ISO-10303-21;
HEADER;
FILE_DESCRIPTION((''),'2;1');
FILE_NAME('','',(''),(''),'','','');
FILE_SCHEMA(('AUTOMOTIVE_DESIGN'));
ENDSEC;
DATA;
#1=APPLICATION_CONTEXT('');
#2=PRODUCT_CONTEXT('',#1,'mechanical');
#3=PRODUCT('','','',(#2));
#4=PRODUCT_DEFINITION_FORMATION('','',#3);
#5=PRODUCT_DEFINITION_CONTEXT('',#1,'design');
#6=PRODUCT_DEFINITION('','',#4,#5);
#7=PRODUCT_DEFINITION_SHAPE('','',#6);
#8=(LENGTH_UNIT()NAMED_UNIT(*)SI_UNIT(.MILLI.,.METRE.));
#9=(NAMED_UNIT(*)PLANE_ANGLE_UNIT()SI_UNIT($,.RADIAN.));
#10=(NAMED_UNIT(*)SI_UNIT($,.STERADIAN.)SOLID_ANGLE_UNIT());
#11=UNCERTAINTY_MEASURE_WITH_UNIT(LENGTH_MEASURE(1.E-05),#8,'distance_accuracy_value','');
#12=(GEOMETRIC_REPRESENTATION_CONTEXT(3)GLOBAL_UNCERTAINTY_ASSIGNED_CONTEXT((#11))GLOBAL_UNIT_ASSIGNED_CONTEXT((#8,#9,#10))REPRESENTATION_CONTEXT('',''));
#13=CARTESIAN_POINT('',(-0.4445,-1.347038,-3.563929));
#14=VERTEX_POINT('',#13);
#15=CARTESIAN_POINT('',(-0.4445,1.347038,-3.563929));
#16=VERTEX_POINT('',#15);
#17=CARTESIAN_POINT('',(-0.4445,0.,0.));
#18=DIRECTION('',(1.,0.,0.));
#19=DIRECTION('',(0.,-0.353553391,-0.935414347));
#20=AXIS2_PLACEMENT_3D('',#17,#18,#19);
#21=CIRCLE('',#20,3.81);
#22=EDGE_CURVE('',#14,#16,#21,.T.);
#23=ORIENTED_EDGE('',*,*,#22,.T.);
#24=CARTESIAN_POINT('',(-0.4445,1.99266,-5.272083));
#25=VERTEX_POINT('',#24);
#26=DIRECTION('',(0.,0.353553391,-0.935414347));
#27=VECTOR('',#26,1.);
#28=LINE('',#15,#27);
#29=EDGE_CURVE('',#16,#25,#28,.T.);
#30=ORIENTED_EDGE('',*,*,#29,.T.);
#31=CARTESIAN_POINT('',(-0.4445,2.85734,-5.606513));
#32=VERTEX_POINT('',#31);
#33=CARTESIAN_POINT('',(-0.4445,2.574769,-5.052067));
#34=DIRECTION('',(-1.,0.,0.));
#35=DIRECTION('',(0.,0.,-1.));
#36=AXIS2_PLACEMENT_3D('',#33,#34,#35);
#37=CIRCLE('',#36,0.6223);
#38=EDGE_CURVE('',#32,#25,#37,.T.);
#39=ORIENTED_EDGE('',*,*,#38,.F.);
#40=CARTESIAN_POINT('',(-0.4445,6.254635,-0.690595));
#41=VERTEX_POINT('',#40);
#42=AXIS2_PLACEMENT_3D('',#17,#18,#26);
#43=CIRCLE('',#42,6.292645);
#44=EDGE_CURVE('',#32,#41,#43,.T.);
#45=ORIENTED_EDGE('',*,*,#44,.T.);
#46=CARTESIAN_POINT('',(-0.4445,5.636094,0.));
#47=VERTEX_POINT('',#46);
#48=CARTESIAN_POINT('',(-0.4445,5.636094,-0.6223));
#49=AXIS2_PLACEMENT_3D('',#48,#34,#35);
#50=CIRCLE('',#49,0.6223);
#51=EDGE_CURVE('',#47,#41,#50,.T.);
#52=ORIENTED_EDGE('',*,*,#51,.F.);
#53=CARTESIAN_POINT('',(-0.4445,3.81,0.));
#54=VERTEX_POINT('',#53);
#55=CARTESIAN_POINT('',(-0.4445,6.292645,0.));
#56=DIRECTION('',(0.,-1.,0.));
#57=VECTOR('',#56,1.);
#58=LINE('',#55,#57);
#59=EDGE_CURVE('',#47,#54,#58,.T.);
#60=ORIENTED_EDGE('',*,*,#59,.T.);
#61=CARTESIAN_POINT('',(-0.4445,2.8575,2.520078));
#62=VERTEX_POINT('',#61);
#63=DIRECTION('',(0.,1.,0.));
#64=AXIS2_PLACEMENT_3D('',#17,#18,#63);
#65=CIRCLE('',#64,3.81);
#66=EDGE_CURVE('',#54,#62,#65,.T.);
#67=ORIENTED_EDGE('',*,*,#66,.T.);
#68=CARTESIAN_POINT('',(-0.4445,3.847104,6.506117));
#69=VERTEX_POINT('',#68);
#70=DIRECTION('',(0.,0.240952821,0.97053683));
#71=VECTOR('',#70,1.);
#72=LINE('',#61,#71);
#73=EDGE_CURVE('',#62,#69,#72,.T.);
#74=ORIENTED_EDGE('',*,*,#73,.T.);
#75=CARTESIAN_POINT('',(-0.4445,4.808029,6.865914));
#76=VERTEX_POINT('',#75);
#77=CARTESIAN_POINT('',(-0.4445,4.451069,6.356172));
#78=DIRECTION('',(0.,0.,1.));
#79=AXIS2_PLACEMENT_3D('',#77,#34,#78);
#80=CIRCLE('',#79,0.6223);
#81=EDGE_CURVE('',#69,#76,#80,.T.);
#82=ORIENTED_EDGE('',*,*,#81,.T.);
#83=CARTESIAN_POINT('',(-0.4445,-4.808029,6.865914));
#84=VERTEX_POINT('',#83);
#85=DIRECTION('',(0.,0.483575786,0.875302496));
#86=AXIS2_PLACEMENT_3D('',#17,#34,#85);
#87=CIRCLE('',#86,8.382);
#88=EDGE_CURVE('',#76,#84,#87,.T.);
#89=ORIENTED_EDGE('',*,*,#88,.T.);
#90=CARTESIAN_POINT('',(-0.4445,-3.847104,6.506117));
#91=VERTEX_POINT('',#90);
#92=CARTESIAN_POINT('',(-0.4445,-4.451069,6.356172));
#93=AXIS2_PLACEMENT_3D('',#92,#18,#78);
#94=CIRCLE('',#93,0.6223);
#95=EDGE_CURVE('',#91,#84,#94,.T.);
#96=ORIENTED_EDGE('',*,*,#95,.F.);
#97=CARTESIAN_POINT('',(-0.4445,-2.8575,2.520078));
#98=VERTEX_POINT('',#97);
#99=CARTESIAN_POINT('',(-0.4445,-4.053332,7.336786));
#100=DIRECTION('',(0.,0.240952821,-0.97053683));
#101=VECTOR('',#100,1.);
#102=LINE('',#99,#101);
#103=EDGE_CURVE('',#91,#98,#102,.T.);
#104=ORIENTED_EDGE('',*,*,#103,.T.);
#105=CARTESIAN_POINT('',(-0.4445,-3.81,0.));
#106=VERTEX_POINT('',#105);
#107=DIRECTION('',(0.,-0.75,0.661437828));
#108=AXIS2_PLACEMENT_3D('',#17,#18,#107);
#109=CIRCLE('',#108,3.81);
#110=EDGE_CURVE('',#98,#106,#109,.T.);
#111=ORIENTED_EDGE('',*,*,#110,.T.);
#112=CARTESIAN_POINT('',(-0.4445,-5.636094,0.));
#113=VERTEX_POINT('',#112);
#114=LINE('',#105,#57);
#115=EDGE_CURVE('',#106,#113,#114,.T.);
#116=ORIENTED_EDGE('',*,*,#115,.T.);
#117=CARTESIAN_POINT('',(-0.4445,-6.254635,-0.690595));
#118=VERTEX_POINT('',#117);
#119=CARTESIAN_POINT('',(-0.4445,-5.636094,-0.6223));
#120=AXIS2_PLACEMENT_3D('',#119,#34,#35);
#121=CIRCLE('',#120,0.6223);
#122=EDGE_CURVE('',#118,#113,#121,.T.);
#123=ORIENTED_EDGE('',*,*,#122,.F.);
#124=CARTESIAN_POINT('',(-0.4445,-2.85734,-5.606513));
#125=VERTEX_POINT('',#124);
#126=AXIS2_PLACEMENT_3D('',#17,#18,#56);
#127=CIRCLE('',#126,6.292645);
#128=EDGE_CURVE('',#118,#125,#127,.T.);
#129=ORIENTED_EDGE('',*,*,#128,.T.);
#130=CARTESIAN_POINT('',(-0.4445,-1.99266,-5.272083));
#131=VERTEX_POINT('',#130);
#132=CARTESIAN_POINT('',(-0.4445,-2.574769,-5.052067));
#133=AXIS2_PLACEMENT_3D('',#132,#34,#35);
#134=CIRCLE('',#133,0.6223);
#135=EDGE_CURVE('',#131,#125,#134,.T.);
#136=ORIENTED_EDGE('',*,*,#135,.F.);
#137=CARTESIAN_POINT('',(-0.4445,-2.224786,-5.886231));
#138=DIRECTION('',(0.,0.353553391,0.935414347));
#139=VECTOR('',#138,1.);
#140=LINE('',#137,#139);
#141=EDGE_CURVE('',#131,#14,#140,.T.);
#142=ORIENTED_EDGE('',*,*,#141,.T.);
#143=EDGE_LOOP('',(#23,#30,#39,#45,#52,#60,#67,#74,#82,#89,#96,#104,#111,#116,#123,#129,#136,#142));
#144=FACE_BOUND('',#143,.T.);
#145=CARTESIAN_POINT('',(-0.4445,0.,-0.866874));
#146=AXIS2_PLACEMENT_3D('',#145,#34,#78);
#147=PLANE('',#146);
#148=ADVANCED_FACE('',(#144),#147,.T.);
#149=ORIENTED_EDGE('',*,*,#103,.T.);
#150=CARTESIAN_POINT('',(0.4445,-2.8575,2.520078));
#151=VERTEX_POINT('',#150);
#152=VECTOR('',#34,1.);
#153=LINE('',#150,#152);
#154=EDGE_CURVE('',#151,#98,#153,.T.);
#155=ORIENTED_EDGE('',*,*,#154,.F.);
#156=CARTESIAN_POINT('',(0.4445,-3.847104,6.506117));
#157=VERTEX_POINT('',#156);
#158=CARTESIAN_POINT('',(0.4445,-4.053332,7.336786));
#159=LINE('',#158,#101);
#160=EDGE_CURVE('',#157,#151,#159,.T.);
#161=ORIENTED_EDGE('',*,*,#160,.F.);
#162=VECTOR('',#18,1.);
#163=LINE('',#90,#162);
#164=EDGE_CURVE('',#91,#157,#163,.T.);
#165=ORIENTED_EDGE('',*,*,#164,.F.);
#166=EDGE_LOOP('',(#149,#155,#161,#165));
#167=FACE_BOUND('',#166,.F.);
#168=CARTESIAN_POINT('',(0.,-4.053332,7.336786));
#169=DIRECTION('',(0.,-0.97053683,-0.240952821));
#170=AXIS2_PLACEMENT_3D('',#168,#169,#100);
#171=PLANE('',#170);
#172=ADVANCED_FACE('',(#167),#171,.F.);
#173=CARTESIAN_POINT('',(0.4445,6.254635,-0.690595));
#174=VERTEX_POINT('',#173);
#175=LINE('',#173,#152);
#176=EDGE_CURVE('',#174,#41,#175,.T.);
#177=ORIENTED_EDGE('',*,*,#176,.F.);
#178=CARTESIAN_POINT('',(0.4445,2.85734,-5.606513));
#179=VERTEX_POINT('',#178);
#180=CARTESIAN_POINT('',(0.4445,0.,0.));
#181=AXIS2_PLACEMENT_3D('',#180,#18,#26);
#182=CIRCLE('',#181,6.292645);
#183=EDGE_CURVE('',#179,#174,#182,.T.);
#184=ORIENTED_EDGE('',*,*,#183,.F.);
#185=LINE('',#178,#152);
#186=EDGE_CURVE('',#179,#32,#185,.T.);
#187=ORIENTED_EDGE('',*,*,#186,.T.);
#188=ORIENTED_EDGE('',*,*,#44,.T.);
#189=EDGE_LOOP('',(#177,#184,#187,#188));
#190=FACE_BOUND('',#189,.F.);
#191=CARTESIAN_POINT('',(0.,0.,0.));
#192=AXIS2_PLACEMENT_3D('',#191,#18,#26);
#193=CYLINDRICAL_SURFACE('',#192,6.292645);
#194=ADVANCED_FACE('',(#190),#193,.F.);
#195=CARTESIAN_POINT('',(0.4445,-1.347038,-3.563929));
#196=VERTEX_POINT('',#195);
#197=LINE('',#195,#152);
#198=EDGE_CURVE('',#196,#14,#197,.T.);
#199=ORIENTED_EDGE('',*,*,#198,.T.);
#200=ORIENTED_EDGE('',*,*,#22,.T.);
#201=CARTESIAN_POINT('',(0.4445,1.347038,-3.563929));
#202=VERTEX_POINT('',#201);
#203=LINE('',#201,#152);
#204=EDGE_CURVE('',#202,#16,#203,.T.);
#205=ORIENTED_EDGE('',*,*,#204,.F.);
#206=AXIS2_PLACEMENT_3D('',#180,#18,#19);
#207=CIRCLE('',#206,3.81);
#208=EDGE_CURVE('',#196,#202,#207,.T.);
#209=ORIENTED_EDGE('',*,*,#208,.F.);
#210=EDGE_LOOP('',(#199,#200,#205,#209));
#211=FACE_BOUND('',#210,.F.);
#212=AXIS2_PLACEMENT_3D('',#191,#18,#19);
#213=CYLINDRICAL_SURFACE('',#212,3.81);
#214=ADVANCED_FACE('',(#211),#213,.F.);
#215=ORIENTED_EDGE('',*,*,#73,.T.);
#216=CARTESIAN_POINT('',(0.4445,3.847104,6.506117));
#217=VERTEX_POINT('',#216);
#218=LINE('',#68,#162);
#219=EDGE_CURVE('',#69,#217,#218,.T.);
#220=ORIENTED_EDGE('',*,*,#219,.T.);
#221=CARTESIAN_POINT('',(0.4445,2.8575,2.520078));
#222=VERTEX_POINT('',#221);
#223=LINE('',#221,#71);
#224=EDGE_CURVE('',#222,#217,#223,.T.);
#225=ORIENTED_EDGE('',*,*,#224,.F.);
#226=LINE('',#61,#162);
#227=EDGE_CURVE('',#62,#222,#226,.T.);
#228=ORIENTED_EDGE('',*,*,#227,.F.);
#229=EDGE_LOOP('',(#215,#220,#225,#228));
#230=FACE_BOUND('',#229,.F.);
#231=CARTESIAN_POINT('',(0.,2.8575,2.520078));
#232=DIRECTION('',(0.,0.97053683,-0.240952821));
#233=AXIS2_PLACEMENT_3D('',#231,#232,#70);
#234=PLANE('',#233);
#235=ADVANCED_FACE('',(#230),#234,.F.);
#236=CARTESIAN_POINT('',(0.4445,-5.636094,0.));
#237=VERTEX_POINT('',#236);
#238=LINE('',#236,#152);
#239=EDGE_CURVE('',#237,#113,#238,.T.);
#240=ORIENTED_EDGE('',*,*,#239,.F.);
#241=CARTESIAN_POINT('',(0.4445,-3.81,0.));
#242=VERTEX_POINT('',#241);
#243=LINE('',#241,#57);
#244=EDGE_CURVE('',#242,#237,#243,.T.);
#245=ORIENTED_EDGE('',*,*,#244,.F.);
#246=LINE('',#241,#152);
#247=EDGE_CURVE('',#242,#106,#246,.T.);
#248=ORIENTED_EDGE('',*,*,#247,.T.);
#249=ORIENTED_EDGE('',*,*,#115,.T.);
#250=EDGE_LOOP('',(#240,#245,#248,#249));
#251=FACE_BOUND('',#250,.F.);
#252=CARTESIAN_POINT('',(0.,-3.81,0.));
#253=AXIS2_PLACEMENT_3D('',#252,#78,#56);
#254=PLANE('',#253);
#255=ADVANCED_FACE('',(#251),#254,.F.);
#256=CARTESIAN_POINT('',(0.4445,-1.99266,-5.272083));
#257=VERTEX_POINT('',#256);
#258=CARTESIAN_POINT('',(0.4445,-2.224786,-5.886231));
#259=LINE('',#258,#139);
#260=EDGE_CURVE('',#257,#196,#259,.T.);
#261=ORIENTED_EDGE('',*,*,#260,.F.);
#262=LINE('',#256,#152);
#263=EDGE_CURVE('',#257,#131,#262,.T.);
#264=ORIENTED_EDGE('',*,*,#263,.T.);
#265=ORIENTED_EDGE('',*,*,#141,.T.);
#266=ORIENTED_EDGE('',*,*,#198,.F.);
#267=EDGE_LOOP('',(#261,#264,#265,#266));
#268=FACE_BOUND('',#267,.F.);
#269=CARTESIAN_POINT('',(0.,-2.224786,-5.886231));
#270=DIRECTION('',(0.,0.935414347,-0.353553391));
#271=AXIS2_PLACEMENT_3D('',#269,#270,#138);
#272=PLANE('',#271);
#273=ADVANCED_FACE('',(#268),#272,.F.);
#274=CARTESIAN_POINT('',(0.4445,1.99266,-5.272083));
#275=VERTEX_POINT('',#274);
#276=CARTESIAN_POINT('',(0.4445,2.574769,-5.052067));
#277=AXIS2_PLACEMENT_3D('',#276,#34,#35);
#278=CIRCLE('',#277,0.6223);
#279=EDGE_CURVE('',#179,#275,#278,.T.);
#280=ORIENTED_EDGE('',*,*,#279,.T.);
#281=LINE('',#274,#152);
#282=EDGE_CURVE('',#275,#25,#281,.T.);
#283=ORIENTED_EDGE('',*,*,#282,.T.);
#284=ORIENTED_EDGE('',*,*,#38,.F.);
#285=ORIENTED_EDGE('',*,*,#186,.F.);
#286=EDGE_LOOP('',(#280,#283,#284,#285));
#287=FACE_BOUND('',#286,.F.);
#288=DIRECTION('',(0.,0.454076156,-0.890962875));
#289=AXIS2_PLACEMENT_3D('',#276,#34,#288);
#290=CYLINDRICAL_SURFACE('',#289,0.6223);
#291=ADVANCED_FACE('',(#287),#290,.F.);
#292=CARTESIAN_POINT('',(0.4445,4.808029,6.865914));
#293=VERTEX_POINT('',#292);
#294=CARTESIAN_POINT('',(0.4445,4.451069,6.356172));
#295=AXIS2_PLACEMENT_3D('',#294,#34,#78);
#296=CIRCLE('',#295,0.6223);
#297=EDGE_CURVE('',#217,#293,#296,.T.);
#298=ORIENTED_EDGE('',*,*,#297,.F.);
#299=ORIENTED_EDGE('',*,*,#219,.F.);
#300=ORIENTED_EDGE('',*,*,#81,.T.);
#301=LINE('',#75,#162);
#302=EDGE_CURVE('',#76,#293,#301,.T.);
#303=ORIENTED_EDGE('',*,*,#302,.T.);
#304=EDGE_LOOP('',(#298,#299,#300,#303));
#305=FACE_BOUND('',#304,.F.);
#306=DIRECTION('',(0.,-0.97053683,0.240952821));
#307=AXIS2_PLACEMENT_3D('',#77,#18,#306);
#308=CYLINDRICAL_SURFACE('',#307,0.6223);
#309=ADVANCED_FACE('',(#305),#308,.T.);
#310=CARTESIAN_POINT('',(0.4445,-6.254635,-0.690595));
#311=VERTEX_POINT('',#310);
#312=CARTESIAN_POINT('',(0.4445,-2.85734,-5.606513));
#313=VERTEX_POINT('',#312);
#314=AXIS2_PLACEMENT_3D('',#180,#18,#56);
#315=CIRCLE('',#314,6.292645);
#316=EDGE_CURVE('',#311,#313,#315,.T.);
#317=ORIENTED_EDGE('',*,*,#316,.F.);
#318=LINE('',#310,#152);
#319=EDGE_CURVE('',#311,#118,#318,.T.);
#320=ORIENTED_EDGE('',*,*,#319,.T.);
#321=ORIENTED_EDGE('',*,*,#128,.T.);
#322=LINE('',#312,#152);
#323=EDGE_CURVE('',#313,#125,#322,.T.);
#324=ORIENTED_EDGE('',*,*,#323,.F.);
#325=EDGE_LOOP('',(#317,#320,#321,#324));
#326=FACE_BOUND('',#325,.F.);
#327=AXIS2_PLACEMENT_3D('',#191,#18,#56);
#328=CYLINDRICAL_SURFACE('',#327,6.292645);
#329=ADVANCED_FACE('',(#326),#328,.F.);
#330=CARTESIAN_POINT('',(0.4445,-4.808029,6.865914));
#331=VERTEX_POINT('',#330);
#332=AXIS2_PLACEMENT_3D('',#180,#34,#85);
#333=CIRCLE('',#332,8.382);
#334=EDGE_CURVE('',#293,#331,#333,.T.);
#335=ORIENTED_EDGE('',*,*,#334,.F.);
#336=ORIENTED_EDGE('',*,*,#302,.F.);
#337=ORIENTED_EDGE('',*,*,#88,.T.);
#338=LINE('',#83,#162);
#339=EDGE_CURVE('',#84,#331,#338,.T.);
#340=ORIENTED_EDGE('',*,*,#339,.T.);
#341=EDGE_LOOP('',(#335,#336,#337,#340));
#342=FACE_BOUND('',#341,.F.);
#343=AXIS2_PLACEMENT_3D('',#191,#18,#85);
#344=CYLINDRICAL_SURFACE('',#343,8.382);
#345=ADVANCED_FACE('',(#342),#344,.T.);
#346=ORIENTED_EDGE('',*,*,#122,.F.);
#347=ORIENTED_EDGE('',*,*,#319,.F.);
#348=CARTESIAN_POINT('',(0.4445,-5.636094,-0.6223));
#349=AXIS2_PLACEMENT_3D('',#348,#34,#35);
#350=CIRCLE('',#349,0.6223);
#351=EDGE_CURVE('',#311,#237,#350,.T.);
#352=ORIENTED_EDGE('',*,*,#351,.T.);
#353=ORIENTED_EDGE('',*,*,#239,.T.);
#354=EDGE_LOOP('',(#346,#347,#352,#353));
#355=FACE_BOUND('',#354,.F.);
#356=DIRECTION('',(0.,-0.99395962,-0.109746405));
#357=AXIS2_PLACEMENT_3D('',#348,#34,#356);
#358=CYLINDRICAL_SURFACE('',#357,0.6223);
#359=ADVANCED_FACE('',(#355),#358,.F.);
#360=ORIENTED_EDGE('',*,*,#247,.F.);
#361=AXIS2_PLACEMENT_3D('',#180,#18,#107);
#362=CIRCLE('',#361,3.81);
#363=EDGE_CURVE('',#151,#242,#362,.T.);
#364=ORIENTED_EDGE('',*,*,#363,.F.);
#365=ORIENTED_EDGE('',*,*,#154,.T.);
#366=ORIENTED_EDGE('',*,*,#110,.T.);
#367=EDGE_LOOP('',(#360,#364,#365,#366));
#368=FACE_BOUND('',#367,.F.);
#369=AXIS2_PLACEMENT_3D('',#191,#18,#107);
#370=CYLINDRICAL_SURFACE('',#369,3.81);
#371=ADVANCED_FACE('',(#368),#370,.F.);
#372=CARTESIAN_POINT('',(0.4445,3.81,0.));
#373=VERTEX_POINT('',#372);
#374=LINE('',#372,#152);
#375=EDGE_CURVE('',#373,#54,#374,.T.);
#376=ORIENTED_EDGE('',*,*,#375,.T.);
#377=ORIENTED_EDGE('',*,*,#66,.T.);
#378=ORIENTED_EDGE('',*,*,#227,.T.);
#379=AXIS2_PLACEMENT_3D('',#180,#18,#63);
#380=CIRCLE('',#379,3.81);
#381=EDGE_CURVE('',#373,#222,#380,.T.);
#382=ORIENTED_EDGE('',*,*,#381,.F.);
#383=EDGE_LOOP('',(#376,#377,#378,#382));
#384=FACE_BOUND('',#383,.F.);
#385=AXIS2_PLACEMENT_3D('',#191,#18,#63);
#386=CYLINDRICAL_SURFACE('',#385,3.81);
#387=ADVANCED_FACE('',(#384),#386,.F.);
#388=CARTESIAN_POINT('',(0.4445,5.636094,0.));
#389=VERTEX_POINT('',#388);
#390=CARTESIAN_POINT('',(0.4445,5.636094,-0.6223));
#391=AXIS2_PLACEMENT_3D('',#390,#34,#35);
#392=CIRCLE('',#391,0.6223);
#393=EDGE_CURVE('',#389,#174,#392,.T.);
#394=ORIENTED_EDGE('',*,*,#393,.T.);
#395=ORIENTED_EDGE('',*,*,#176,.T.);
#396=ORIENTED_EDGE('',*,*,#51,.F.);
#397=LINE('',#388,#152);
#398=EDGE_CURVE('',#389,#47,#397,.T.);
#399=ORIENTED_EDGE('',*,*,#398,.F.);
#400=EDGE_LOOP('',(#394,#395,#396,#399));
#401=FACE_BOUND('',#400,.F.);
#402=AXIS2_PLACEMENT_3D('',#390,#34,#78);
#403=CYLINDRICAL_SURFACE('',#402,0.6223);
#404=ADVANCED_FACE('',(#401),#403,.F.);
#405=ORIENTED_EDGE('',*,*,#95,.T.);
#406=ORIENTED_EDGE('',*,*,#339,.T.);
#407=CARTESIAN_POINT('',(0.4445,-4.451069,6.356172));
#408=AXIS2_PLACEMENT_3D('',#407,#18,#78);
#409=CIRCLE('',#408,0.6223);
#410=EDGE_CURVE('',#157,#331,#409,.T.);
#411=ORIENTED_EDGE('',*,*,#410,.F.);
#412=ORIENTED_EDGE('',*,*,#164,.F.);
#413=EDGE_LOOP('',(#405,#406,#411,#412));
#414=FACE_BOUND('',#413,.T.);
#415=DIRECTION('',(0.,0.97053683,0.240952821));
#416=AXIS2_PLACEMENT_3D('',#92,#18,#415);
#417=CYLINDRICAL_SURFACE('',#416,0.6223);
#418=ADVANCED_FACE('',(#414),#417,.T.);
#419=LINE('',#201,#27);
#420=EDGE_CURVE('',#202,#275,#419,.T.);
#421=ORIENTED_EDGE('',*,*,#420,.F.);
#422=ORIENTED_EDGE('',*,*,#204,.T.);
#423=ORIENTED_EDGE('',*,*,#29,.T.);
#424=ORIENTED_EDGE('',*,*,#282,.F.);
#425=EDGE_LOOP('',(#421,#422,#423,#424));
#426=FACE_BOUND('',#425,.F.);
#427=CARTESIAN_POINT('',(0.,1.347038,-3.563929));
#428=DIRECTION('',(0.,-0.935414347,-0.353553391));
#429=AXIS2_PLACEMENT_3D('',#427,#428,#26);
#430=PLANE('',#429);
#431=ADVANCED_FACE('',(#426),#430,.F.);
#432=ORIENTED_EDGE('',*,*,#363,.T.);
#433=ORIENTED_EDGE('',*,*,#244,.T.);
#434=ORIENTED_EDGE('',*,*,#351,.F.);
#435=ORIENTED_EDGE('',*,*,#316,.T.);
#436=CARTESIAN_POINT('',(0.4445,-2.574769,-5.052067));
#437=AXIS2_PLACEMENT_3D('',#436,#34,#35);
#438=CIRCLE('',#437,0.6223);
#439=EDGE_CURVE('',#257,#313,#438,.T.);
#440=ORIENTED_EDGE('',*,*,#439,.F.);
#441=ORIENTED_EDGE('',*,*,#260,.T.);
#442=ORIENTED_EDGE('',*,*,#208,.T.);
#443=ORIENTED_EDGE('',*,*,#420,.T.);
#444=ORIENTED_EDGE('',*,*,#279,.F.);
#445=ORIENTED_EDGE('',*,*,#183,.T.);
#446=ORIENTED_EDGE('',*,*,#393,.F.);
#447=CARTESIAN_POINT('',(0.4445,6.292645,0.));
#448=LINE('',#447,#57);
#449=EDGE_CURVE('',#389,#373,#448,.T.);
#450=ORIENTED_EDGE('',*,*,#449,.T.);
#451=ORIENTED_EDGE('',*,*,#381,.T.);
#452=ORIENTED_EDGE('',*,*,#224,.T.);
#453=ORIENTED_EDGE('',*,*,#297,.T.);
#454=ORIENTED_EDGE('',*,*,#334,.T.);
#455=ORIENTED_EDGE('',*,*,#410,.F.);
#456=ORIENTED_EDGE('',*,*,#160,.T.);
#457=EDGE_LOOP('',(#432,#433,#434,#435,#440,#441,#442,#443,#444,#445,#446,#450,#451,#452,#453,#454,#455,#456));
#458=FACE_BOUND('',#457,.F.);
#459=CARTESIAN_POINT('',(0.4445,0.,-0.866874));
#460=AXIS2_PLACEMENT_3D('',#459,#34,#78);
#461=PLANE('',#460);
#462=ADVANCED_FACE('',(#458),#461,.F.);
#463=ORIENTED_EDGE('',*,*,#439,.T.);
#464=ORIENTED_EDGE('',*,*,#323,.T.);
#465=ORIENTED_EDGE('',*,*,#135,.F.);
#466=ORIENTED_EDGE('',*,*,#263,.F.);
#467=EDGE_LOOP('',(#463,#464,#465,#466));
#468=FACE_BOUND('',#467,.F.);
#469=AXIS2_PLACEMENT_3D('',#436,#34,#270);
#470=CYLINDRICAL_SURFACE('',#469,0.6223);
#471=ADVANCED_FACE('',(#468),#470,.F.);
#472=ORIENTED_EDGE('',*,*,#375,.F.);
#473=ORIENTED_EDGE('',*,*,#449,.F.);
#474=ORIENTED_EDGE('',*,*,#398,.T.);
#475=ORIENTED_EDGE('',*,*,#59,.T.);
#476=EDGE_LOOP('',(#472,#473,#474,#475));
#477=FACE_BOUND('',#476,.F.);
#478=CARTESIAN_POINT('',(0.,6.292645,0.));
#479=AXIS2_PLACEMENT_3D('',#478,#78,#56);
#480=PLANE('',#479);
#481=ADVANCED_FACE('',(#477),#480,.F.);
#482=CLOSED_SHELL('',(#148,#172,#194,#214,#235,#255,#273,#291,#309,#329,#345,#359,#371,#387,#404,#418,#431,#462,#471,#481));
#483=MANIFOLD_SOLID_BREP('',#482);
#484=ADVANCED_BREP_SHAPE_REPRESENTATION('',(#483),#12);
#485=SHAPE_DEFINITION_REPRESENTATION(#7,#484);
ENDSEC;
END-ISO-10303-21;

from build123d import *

# Parameters (mm, degrees)
EXTRUDE1_DEPTH = 0.4445
FILLET1_R      = 0.6223


with BuildPart() as part:
    # Sketch1 → Extrude1 (new body, symmetric)
    with BuildSketch(Plane(origin=(0, 0, 0), x_dir=(0, 0, -1), z_dir=(1, 0, 0))):
        with BuildLine():
            Line((-7.336785518, -4.053332241), (-2.520078124, -2.8575))
            ThreePointArc((-2.520078124, -2.8575), (-1.347038418, -3.563928661), (0, -3.81))
            Line((0, -3.81), (0, -6.292645161))
            ThreePointArc((0, -6.292645161), (3.57754064, -5.176735081), (5.886230563, -2.224786033))
            Line((5.886230563, -2.224786033), (3.563928661, -1.347038418))
            ThreePointArc((3.563928661, -1.347038418), (3.81, 0), (3.563928661, 1.347038418))
            Line((3.563928661, 1.347038418), (5.886230563, 2.224786033))
            ThreePointArc((5.886230563, 2.224786033), (3.57754064, 5.176735081), (0, 6.292645161))
            Line((0, 6.292645161), (0, 3.81))
            ThreePointArc((0, 3.81), (-1.347038418, 3.563928661), (-2.520078124, 2.8575))
            Line((-2.520078124, 2.8575), (-7.336785518, 4.053332241))
            ThreePointArc((-7.336785518, 4.053332241), (8.382, 0), (-7.336785518, -4.053332241))
        make_face()
    extrude(amount=EXTRUDE1_DEPTH, both=True)

    # Fillet1
    fillet1_edges = [part.edges().sort_by_distance(p)[0] for p in [
        (0, -4.053332241, 7.336785518),
        (0, -6.292645161, 0),
        (0, -2.224786033, -5.886230563),
        (0, 2.224786033, -5.886230563),
        (0, 6.292645161, 0),
        (0, 4.053332241, 7.336785518),
    ]]
    fillet(fillet1_edges, radius=FILLET1_R)


solid = part.part
